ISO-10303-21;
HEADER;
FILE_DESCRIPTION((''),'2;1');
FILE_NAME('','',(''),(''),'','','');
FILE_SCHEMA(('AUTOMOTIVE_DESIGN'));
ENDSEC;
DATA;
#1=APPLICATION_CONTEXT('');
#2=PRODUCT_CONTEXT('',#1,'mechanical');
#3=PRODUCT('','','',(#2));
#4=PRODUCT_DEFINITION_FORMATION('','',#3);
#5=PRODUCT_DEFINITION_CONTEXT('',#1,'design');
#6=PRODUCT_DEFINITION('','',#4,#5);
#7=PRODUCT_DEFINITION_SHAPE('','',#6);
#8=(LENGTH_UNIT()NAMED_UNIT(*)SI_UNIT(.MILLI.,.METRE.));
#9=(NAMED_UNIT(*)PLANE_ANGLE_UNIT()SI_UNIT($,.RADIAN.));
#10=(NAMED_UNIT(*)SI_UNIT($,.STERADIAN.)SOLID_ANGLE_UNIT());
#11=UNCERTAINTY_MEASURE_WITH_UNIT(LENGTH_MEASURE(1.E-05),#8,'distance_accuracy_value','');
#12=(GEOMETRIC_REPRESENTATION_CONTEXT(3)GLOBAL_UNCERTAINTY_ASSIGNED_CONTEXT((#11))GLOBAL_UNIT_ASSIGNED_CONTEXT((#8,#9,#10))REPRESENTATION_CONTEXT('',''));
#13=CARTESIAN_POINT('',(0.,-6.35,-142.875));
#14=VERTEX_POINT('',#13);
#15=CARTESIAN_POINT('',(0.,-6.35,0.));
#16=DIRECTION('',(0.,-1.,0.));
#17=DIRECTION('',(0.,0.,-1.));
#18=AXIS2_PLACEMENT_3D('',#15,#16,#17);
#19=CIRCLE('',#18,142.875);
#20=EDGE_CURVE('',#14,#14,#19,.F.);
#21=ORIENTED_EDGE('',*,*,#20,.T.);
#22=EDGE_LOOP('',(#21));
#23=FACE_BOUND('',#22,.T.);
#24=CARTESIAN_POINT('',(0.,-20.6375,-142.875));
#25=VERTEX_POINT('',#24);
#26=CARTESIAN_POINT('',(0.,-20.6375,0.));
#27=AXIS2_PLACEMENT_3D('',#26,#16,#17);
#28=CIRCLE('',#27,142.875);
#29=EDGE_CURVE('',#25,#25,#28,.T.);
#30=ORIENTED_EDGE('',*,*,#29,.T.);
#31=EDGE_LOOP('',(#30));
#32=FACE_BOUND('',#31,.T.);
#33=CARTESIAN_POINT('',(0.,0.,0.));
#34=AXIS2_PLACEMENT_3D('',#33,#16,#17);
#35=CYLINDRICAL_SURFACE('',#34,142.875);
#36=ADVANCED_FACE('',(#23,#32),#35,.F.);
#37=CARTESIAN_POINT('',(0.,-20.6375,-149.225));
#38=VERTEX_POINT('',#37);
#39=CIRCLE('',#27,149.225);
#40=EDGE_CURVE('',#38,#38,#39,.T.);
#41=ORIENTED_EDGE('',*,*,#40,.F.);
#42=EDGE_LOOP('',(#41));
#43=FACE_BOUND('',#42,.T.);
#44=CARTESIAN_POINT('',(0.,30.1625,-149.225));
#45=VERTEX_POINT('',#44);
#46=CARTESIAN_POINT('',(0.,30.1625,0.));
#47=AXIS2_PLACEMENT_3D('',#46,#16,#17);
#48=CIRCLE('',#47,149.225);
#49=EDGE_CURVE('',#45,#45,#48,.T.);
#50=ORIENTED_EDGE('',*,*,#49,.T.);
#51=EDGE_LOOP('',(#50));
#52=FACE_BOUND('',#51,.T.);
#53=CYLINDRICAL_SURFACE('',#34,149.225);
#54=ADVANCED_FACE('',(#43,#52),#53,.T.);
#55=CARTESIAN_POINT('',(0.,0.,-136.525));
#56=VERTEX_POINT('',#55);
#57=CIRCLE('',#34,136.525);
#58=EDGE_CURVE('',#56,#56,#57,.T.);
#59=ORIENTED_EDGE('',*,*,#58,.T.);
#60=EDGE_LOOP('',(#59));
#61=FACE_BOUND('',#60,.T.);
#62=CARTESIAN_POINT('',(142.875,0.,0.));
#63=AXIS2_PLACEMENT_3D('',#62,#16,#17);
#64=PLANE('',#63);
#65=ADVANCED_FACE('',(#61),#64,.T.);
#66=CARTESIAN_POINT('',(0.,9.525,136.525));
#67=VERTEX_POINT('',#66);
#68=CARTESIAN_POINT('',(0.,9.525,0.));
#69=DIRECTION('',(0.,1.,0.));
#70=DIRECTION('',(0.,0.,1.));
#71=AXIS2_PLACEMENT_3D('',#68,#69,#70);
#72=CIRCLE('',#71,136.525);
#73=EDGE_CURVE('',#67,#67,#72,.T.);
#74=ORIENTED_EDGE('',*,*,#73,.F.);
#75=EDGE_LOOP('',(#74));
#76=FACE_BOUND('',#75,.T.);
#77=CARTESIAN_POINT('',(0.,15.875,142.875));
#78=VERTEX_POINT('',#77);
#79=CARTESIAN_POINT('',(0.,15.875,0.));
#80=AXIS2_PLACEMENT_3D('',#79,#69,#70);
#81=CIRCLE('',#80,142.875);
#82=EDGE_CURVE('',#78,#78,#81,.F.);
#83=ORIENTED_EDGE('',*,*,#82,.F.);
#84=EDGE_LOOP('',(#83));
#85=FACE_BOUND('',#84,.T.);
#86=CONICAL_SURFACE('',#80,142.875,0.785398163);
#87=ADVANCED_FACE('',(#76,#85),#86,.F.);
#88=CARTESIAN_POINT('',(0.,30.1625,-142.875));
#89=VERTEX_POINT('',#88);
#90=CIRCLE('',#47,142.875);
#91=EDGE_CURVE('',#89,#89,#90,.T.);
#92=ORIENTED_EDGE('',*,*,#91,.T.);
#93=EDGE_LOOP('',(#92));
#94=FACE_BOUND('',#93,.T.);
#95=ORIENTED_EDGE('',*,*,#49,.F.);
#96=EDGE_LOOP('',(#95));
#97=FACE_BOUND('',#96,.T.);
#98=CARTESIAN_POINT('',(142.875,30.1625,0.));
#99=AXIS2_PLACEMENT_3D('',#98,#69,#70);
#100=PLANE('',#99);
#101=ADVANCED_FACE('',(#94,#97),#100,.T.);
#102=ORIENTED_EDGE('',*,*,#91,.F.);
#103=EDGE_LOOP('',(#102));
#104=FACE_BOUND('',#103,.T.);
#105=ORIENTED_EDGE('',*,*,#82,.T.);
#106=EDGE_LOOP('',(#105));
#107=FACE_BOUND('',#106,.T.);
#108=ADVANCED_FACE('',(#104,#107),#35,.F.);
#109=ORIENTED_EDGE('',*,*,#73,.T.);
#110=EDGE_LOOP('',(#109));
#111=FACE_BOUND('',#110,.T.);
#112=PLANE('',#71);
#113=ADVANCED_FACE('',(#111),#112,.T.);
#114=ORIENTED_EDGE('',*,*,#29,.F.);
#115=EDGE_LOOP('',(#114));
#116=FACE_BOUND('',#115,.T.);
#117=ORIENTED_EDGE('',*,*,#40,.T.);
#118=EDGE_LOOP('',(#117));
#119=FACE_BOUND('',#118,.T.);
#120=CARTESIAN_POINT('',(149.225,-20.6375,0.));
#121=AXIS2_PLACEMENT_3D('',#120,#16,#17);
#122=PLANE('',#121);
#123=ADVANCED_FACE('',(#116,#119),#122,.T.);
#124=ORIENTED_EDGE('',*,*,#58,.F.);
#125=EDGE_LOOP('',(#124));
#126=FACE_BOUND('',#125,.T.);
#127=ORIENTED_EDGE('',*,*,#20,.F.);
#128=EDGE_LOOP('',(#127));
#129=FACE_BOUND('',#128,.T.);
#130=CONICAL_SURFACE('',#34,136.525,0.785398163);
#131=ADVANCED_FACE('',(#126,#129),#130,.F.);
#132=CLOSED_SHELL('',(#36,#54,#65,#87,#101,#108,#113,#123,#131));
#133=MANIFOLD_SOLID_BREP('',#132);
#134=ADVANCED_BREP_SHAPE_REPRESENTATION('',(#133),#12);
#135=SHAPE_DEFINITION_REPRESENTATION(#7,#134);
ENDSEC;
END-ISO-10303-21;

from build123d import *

# Parameters (mm, degrees)
CHAMFER1_SIZE = 6.35


with BuildPart() as part:
    # Sketch5 → Revolve1 (revolve)
    with BuildSketch(Plane.XY):
        Polygon((0, 9.525), (142.875, 9.525), (142.875, 30.1625), (149.225, 30.1625), (149.225, -20.6375), (142.875, -20.6375), (142.875, 0), (0, 0), align=None)
    revolve(axis=Axis((0, 0, 0), (0, 1, 0)))

    # Chamfer1
    chamfer1_edges = [part.edges().sort_by_distance(p)[0] for p in [
        (-142.875, 0, 0),
        (-142.875, 9.525, 0),
    ]]
    chamfer(chamfer1_edges, length=CHAMFER1_SIZE)


solid = part.part
